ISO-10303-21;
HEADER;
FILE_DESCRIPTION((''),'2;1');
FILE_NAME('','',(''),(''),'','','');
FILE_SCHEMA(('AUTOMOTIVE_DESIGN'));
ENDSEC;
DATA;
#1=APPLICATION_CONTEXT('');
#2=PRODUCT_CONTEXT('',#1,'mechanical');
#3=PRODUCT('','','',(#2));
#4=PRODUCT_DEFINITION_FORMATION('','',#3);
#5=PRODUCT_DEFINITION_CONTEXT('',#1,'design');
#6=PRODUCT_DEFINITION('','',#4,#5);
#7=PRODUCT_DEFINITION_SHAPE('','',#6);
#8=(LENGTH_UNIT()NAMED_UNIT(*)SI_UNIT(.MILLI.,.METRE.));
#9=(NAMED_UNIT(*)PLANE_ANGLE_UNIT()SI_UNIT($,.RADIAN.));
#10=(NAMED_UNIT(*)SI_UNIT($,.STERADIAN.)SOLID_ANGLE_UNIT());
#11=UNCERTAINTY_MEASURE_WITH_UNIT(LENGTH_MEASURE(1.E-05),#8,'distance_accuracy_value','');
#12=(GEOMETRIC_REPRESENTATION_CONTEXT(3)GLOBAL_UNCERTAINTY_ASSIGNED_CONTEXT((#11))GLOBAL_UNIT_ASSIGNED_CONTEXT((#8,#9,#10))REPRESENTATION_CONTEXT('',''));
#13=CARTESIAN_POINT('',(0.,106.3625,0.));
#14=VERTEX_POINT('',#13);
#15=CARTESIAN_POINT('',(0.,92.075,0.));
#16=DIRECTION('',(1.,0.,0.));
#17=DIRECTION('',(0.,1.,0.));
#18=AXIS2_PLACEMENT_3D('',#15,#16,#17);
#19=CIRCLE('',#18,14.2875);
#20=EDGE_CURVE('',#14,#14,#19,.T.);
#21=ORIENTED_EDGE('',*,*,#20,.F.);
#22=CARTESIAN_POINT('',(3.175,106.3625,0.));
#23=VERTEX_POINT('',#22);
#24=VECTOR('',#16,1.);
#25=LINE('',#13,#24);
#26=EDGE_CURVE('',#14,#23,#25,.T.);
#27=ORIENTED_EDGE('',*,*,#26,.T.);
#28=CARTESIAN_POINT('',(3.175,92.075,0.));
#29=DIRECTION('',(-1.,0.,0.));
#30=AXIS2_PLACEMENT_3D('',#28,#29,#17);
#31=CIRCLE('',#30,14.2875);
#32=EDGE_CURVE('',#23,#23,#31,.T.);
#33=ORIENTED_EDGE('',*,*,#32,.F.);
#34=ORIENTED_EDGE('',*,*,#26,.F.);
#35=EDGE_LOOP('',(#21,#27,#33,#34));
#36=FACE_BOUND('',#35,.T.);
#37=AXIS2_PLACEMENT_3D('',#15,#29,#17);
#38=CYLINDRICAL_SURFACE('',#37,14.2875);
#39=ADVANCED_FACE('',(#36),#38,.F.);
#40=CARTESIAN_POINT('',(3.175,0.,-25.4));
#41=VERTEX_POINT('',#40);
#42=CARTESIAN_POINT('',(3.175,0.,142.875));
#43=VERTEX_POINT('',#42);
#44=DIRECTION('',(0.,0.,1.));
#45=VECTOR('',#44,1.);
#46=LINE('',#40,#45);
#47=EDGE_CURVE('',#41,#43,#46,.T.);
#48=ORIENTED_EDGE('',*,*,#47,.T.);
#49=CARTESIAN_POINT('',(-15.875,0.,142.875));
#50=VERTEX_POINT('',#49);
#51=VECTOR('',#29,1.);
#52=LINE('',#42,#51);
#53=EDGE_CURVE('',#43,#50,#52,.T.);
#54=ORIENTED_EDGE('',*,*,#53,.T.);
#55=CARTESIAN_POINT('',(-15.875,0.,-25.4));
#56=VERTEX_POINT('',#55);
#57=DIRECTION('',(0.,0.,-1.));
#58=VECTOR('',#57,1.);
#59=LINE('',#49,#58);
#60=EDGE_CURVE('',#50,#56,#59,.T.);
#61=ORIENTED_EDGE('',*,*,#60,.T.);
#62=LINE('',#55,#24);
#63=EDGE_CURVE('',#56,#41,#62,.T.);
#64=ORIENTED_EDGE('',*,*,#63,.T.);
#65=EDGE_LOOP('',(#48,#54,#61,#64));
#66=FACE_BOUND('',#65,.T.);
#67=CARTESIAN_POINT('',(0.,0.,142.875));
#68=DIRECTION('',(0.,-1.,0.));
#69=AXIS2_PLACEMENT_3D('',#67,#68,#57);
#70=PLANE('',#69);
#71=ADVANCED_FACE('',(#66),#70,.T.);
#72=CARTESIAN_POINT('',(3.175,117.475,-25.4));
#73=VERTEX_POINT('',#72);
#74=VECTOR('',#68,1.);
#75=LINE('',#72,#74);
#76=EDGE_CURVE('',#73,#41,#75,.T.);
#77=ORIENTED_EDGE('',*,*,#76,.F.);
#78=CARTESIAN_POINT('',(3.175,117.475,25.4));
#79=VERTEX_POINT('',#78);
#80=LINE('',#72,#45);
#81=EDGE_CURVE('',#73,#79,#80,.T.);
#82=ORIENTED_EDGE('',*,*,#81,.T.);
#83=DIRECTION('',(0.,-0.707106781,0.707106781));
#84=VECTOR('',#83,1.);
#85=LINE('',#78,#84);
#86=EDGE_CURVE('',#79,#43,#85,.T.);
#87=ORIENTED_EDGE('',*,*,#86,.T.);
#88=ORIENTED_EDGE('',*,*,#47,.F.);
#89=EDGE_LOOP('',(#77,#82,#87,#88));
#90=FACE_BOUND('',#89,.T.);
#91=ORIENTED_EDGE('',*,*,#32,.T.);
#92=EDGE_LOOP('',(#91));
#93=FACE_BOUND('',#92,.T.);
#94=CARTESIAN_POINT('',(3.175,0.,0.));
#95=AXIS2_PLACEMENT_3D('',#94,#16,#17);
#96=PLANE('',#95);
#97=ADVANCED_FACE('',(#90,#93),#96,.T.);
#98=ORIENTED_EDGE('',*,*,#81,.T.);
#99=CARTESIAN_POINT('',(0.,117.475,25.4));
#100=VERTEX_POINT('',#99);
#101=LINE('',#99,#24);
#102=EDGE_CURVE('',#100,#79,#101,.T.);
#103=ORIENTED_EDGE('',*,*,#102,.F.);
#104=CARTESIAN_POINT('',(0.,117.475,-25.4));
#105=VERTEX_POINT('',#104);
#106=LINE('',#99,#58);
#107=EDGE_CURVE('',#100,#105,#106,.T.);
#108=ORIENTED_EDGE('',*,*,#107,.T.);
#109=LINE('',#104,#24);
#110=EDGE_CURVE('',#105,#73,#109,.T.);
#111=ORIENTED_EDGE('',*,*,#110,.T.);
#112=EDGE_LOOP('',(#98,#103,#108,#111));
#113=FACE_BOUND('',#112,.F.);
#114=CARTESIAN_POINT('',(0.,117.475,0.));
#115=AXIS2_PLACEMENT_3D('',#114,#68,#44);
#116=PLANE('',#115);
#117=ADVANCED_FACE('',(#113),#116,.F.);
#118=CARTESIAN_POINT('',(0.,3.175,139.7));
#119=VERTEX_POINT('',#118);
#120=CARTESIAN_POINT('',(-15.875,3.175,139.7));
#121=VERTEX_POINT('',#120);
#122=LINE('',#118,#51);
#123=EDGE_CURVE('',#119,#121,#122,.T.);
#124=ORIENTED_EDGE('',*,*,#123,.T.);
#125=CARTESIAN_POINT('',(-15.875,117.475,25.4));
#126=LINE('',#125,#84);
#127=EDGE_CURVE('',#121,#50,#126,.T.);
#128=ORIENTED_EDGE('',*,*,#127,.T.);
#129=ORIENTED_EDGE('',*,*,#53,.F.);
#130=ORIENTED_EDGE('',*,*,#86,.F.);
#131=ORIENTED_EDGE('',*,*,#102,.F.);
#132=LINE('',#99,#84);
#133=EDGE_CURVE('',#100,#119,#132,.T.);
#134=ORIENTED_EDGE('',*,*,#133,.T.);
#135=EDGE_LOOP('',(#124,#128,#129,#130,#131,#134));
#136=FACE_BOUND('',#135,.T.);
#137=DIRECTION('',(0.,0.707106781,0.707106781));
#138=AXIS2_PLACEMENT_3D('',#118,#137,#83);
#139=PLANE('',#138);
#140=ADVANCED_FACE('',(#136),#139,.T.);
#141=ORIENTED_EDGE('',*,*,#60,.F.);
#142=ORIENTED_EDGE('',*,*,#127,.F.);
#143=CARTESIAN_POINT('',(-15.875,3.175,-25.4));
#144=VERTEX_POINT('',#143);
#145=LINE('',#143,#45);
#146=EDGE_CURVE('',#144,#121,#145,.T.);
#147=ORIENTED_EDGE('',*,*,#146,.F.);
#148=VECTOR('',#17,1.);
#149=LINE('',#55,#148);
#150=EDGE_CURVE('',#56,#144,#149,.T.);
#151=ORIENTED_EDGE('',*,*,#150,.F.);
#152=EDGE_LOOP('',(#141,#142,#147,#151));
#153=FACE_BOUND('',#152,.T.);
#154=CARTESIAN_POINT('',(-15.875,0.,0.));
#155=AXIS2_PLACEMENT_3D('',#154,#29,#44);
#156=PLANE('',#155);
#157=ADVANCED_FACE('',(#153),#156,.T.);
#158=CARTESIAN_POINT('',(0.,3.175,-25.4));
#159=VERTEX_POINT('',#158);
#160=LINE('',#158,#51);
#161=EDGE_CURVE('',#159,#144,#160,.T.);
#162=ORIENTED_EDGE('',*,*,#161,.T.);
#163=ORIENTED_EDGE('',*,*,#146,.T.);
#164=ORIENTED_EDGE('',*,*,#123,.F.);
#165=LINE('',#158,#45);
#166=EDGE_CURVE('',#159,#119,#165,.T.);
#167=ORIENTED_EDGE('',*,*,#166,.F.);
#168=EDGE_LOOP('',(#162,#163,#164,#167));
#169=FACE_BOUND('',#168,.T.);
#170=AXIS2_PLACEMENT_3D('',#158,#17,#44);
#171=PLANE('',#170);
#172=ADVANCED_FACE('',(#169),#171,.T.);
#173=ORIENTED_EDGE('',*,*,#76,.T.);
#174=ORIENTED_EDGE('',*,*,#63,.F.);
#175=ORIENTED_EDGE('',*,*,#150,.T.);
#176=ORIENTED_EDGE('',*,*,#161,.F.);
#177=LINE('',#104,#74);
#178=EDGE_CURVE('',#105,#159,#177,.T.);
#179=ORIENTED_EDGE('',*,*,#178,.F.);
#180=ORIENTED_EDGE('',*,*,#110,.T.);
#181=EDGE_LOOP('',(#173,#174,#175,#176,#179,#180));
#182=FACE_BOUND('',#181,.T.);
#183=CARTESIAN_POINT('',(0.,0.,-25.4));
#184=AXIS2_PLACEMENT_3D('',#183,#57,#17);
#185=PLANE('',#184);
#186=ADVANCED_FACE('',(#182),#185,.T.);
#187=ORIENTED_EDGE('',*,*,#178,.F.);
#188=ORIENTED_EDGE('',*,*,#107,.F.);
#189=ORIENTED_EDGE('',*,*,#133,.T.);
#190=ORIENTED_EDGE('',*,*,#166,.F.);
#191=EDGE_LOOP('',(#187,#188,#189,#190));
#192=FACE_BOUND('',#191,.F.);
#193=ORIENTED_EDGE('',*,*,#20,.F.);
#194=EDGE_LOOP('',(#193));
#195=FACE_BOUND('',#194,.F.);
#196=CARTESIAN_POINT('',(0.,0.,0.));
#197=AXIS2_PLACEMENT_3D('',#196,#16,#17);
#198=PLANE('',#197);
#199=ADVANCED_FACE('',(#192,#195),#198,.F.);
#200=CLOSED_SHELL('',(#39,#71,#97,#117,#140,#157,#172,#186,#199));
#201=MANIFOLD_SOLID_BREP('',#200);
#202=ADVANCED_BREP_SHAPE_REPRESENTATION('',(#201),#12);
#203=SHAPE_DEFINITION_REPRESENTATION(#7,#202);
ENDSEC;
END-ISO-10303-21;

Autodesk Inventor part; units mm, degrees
ref_plane "YZ Plane" through (0, 0, 0) normal (1, 0, 0) x (0, 1, 0)
ref_plane "XZ Plane" through (0, 0, 0) normal (0, 1, 0) x (-1, 0, 0)
ref_plane "XY Plane" through (0, 0, 0) normal (0, 0, 1) x (1, 0, 0)
sketch "Sketch1" plane through (0, 0, 0) normal (1, 0, 0) x (0, 1, 0)
  line L0 (0, 0) -> (92.075, 0)
  line L1 (0, 0) -> (92.075, 0) construction
  circle A0 centre (92.075, 0) radius 14.2875
  line L2 (92.075, 0) -> (117.475, 0)
  line L3 (92.075, 0) -> (117.475, 0) construction
  line L4 (117.475, 0) -> (117.475, -25.4)
  line L5 (117.475, -25.4) -> (0, -25.4)
  line L6 (0, -25.4) -> (0, 0)
  line L7 (117.475, 0) -> (117.475, 25.4)
  line L8 (117.475, 0) -> (142.875, 0) construction
  line L9 (117.475, 25.4) -> (0, 142.875)
  line L10 (0, 142.875) -> (0, 0)
  dimension "d0" = 92.075
  dimension "d1" = 0
  dimension "d2" = 28.575
  dimension "d3" = 25.4
  dimension "d4" = 0
  dimension "d5" = 25.4
  dimension "d6" = 90
  dimension "d7" = 25.4
  dimension "d8" = 90
  dimension "d9" = 135
extrude "Extrusion1" add sketch "Sketch1" along normal blind 3.175 contours L10 L9 L7 L2 A0 L0 | L0 A0 L2 L4 L5 L6
sketch "Sketch2" plane through (0, 0, 0) normal (-1, 0, 0) x (0, 0, 1)
  line L0 (142.875, 0) -> (-25.4, 0) projected
  line L1 (25.4, 117.475) -> (142.875, 0) projected
  line L2 (-25.4, 0) -> (-25.4, 117.475) projected
  line L3 (-25.4, 0) -> (-25.4, 3.175)
  line L4 (-25.4, 0) -> (-22.225, 0) construction
  line L5 (-25.4, 3.175) -> (139.7, 3.175)
  point P0 (0, 0)
  dimension "d12" = 3.175
  dimension "d13" = 90
extrude "Extrusion2" add sketch "Sketch2" along normal blind 15.875
properties part number "Z-Plate-L"
